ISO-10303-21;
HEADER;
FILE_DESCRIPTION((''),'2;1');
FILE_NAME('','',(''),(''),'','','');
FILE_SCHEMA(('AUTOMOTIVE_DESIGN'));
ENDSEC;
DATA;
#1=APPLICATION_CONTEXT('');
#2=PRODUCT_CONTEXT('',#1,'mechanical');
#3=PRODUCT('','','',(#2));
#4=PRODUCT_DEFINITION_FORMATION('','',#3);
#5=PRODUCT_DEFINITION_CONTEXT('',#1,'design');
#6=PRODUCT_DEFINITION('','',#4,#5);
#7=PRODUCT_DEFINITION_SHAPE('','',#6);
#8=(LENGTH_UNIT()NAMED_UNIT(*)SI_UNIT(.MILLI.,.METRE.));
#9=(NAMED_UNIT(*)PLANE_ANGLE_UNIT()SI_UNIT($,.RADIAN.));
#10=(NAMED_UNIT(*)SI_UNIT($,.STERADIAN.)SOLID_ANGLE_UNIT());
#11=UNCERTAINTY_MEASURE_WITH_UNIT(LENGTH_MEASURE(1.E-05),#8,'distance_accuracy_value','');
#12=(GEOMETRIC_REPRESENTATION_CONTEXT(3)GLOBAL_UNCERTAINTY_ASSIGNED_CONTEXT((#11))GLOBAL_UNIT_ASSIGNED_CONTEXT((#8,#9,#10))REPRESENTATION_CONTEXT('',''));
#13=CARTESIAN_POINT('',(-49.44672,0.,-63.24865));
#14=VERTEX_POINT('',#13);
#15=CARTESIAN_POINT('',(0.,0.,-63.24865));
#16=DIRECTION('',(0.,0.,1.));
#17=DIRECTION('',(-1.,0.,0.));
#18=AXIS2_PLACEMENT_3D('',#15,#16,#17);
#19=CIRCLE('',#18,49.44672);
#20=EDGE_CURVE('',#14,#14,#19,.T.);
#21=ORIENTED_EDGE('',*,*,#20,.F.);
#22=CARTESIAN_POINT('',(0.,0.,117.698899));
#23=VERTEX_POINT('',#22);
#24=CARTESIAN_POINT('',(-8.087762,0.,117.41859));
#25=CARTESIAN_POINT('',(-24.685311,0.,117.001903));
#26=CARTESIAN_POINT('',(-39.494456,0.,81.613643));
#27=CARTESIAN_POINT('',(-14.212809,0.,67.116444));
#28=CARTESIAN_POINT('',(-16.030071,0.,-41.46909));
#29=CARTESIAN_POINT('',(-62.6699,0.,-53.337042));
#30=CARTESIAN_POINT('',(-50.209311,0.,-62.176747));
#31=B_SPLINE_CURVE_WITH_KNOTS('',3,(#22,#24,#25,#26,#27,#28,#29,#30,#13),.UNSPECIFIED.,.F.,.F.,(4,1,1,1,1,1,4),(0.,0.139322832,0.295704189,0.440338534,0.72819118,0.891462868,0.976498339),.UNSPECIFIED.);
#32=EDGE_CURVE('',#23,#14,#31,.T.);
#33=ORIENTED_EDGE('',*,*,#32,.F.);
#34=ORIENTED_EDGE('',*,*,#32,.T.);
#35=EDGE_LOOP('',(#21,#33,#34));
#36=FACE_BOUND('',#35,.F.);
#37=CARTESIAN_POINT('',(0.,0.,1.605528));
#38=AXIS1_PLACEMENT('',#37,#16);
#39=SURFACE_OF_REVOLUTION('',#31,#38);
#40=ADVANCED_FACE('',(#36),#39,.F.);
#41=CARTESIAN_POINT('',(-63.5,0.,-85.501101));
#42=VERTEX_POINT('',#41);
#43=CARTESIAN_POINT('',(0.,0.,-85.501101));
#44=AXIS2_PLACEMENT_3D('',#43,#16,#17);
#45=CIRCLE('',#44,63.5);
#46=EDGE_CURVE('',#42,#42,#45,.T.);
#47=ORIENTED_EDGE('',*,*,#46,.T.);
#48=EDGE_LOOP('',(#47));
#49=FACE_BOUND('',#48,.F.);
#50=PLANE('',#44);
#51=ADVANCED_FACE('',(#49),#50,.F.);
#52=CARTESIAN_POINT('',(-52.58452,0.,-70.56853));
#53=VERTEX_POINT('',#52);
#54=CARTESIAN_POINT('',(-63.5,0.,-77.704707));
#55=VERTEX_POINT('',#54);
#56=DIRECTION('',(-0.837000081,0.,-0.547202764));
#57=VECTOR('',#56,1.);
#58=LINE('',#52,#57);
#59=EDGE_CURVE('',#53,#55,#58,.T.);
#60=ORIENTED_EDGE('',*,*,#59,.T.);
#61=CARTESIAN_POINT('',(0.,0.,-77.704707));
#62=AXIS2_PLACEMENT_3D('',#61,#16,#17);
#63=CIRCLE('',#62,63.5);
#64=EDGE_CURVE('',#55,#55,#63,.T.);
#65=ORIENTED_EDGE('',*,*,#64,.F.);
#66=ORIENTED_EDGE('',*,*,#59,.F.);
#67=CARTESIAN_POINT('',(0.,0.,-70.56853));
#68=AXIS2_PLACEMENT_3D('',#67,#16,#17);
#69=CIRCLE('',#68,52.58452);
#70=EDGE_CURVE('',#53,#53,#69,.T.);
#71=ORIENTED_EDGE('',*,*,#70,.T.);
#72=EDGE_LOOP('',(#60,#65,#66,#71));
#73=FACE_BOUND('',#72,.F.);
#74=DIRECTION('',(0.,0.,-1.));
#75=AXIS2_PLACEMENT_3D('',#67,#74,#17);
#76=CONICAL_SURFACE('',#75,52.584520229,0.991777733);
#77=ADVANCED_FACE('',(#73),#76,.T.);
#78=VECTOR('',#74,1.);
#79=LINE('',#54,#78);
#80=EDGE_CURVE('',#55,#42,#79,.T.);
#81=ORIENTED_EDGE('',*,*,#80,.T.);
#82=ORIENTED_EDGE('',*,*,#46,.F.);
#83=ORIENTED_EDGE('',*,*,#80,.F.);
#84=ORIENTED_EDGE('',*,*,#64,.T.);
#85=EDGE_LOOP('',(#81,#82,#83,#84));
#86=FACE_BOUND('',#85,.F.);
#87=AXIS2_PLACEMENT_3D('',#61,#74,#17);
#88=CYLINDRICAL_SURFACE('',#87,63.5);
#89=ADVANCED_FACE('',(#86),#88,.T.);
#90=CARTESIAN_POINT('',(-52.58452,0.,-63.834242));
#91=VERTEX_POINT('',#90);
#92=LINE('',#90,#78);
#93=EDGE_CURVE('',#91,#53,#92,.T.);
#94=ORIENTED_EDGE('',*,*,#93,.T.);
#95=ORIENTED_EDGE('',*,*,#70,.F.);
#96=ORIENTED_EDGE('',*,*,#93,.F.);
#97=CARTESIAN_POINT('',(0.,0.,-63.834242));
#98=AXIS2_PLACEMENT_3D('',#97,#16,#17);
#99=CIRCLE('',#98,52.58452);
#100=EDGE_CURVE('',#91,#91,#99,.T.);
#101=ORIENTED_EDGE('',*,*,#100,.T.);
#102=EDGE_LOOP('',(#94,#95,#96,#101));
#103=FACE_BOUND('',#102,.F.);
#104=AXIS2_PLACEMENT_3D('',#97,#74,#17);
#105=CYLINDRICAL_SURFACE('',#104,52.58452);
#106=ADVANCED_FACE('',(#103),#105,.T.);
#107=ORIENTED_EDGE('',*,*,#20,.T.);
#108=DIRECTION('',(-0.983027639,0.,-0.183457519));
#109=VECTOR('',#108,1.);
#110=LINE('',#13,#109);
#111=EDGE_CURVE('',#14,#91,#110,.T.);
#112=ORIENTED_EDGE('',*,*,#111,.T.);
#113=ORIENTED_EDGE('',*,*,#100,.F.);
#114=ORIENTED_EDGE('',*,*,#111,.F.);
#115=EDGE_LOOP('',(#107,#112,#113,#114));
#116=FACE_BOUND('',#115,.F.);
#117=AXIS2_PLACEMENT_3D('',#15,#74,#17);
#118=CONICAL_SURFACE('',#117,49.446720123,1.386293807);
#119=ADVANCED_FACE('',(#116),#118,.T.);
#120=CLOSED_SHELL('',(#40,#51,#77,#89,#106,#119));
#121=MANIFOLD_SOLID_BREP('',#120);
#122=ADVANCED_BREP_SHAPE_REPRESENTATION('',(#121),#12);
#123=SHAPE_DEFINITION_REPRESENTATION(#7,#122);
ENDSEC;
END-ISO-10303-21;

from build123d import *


with BuildPart() as f1:
    # F0 (on Front) → F1 (revolve)
    with BuildSketch(Plane.XZ):
        with BuildLine():
            Line((0, -85.5011006718), (0, 117.6988993282))
            add(Edge.make_bspline(
                [(0, 117.6988993282), (-8.0877623554, 117.4185899443), (-24.685311322, 117.0019026845), (-39.4944560285, 81.6136430474), (-14.212808755, 67.1164440226), (-16.0300711181, -41.4690902012), (-62.6698995283, -53.3370422795), (-50.209310756, -62.1767465828), (-49.4467201226, -63.2486503315)],
                knots=[0, 0, 0, 0, 0.1393228319, 0.2957041888, 0.4403385337, 0.7281911802, 0.8914628681, 0.976498339, 0.976498339, 0.976498339, 0.976498339], degree=3))
            Line((-49.4467201226, -63.2486503315), (-52.5845202286, -63.8342422322))
            Line((-52.5845202286, -63.8342422322), (-52.5845202286, -70.5685302411))
            Line((-52.5845202286, -70.5685302411), (-63.5, -77.7047072078))
            Line((-63.5, -77.7047072078), (-63.5, -85.5011006718))
            Line((-63.5, -85.5011006718), (0, -85.5011006718))
        make_face()
    revolve(axis=Axis((0, 0, 1.6055280592), (0, 0, 1)))


solid = f1.part
